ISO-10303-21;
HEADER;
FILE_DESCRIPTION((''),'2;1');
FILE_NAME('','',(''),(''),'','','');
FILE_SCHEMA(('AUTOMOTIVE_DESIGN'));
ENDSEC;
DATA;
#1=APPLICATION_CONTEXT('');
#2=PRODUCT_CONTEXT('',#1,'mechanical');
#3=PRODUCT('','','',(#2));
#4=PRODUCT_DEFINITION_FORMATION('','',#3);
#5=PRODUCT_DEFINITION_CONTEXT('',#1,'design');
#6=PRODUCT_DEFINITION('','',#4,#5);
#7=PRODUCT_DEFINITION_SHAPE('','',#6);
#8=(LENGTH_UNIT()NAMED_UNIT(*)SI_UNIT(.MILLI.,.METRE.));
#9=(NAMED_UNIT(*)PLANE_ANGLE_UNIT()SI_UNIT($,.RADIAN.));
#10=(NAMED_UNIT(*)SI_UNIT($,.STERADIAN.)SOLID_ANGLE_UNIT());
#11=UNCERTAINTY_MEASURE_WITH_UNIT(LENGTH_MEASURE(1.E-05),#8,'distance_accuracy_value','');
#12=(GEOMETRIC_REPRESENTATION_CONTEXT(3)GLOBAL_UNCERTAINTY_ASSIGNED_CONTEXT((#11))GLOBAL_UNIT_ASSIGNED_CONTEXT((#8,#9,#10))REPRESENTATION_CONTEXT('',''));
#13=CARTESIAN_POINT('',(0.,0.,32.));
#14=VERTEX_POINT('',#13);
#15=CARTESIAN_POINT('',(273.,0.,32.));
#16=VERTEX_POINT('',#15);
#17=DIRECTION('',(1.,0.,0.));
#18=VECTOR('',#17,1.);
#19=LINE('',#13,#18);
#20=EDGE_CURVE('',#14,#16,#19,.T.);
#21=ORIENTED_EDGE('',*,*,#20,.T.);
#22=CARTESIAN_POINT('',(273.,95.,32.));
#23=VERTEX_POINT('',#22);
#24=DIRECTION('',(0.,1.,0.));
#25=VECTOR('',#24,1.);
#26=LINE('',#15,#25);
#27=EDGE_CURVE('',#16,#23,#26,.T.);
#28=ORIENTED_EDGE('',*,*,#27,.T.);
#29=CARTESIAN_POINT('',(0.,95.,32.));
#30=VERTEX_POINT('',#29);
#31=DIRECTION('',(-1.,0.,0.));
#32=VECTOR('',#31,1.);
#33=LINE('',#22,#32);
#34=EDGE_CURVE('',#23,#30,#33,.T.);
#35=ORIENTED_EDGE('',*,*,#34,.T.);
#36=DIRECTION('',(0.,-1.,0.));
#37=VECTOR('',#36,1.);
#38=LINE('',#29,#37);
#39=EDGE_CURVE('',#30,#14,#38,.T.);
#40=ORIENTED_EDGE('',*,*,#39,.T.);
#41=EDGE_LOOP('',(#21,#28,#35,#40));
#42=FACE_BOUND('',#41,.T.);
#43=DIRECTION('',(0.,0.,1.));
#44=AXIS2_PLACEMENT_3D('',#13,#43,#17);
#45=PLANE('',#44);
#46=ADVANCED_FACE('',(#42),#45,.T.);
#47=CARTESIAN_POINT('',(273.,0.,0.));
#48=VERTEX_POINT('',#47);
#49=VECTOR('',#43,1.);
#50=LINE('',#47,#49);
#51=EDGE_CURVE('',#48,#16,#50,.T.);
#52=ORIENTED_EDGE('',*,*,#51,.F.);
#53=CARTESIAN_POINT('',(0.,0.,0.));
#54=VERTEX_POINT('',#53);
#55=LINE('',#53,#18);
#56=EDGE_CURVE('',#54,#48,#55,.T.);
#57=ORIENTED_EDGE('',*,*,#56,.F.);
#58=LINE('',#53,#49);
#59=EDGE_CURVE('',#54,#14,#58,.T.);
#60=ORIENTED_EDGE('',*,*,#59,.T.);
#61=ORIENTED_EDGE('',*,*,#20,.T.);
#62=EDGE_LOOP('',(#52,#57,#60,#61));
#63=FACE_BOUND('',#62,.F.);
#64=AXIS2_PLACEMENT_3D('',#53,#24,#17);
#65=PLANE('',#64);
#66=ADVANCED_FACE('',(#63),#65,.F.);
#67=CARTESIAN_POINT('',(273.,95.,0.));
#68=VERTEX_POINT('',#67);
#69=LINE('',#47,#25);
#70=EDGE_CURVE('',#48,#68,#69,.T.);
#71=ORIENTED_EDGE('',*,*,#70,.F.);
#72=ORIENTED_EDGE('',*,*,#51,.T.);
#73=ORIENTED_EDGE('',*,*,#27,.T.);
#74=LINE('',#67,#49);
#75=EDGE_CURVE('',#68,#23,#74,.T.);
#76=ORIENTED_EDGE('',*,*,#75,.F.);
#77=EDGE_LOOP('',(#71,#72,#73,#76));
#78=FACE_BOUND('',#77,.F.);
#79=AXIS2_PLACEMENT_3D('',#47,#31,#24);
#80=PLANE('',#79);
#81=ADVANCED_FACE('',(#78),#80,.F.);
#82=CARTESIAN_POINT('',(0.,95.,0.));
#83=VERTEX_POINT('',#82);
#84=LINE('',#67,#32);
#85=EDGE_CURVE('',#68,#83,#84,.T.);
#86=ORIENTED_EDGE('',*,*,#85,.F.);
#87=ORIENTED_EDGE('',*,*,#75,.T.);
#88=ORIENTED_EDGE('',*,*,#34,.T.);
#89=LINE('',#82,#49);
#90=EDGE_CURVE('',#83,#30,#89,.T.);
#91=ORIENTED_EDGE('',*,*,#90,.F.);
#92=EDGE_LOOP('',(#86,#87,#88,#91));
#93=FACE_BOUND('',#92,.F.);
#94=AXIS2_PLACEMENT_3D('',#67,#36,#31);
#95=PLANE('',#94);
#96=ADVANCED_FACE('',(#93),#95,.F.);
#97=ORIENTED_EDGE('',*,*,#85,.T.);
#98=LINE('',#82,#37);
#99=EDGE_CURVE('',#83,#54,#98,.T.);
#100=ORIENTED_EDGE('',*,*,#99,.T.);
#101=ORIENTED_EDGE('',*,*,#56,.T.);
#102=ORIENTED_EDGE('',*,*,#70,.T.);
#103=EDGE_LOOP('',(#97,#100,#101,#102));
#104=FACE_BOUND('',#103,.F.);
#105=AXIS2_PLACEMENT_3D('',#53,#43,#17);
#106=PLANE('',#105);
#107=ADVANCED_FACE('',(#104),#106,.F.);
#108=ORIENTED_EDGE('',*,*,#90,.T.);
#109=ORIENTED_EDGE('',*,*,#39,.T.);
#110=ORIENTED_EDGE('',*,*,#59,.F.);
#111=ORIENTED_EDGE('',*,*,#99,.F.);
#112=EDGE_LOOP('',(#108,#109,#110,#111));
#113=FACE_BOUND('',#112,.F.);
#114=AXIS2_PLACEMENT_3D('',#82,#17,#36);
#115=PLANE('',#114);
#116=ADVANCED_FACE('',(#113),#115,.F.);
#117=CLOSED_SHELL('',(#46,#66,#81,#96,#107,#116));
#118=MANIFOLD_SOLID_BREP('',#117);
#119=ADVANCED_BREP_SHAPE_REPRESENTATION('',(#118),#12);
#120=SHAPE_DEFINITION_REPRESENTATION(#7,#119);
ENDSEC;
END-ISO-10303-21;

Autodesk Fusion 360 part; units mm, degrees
sketch "Sketch1" plane through (0, 0, 0) normal (0, 0, 1) x (1, 0, 0)
  line L0 (0, 0) -> (273, 0)
  line L1 (273, 0) -> (273, 95)
  line L2 (273, 95) -> (0, 95)
  line L3 (0, 95) -> (0, 0)
  dimension "d1" = 273
  dimension "d2" = 95
extrude "Extrude1" add sketch "Sketch1" along normal blind 32
